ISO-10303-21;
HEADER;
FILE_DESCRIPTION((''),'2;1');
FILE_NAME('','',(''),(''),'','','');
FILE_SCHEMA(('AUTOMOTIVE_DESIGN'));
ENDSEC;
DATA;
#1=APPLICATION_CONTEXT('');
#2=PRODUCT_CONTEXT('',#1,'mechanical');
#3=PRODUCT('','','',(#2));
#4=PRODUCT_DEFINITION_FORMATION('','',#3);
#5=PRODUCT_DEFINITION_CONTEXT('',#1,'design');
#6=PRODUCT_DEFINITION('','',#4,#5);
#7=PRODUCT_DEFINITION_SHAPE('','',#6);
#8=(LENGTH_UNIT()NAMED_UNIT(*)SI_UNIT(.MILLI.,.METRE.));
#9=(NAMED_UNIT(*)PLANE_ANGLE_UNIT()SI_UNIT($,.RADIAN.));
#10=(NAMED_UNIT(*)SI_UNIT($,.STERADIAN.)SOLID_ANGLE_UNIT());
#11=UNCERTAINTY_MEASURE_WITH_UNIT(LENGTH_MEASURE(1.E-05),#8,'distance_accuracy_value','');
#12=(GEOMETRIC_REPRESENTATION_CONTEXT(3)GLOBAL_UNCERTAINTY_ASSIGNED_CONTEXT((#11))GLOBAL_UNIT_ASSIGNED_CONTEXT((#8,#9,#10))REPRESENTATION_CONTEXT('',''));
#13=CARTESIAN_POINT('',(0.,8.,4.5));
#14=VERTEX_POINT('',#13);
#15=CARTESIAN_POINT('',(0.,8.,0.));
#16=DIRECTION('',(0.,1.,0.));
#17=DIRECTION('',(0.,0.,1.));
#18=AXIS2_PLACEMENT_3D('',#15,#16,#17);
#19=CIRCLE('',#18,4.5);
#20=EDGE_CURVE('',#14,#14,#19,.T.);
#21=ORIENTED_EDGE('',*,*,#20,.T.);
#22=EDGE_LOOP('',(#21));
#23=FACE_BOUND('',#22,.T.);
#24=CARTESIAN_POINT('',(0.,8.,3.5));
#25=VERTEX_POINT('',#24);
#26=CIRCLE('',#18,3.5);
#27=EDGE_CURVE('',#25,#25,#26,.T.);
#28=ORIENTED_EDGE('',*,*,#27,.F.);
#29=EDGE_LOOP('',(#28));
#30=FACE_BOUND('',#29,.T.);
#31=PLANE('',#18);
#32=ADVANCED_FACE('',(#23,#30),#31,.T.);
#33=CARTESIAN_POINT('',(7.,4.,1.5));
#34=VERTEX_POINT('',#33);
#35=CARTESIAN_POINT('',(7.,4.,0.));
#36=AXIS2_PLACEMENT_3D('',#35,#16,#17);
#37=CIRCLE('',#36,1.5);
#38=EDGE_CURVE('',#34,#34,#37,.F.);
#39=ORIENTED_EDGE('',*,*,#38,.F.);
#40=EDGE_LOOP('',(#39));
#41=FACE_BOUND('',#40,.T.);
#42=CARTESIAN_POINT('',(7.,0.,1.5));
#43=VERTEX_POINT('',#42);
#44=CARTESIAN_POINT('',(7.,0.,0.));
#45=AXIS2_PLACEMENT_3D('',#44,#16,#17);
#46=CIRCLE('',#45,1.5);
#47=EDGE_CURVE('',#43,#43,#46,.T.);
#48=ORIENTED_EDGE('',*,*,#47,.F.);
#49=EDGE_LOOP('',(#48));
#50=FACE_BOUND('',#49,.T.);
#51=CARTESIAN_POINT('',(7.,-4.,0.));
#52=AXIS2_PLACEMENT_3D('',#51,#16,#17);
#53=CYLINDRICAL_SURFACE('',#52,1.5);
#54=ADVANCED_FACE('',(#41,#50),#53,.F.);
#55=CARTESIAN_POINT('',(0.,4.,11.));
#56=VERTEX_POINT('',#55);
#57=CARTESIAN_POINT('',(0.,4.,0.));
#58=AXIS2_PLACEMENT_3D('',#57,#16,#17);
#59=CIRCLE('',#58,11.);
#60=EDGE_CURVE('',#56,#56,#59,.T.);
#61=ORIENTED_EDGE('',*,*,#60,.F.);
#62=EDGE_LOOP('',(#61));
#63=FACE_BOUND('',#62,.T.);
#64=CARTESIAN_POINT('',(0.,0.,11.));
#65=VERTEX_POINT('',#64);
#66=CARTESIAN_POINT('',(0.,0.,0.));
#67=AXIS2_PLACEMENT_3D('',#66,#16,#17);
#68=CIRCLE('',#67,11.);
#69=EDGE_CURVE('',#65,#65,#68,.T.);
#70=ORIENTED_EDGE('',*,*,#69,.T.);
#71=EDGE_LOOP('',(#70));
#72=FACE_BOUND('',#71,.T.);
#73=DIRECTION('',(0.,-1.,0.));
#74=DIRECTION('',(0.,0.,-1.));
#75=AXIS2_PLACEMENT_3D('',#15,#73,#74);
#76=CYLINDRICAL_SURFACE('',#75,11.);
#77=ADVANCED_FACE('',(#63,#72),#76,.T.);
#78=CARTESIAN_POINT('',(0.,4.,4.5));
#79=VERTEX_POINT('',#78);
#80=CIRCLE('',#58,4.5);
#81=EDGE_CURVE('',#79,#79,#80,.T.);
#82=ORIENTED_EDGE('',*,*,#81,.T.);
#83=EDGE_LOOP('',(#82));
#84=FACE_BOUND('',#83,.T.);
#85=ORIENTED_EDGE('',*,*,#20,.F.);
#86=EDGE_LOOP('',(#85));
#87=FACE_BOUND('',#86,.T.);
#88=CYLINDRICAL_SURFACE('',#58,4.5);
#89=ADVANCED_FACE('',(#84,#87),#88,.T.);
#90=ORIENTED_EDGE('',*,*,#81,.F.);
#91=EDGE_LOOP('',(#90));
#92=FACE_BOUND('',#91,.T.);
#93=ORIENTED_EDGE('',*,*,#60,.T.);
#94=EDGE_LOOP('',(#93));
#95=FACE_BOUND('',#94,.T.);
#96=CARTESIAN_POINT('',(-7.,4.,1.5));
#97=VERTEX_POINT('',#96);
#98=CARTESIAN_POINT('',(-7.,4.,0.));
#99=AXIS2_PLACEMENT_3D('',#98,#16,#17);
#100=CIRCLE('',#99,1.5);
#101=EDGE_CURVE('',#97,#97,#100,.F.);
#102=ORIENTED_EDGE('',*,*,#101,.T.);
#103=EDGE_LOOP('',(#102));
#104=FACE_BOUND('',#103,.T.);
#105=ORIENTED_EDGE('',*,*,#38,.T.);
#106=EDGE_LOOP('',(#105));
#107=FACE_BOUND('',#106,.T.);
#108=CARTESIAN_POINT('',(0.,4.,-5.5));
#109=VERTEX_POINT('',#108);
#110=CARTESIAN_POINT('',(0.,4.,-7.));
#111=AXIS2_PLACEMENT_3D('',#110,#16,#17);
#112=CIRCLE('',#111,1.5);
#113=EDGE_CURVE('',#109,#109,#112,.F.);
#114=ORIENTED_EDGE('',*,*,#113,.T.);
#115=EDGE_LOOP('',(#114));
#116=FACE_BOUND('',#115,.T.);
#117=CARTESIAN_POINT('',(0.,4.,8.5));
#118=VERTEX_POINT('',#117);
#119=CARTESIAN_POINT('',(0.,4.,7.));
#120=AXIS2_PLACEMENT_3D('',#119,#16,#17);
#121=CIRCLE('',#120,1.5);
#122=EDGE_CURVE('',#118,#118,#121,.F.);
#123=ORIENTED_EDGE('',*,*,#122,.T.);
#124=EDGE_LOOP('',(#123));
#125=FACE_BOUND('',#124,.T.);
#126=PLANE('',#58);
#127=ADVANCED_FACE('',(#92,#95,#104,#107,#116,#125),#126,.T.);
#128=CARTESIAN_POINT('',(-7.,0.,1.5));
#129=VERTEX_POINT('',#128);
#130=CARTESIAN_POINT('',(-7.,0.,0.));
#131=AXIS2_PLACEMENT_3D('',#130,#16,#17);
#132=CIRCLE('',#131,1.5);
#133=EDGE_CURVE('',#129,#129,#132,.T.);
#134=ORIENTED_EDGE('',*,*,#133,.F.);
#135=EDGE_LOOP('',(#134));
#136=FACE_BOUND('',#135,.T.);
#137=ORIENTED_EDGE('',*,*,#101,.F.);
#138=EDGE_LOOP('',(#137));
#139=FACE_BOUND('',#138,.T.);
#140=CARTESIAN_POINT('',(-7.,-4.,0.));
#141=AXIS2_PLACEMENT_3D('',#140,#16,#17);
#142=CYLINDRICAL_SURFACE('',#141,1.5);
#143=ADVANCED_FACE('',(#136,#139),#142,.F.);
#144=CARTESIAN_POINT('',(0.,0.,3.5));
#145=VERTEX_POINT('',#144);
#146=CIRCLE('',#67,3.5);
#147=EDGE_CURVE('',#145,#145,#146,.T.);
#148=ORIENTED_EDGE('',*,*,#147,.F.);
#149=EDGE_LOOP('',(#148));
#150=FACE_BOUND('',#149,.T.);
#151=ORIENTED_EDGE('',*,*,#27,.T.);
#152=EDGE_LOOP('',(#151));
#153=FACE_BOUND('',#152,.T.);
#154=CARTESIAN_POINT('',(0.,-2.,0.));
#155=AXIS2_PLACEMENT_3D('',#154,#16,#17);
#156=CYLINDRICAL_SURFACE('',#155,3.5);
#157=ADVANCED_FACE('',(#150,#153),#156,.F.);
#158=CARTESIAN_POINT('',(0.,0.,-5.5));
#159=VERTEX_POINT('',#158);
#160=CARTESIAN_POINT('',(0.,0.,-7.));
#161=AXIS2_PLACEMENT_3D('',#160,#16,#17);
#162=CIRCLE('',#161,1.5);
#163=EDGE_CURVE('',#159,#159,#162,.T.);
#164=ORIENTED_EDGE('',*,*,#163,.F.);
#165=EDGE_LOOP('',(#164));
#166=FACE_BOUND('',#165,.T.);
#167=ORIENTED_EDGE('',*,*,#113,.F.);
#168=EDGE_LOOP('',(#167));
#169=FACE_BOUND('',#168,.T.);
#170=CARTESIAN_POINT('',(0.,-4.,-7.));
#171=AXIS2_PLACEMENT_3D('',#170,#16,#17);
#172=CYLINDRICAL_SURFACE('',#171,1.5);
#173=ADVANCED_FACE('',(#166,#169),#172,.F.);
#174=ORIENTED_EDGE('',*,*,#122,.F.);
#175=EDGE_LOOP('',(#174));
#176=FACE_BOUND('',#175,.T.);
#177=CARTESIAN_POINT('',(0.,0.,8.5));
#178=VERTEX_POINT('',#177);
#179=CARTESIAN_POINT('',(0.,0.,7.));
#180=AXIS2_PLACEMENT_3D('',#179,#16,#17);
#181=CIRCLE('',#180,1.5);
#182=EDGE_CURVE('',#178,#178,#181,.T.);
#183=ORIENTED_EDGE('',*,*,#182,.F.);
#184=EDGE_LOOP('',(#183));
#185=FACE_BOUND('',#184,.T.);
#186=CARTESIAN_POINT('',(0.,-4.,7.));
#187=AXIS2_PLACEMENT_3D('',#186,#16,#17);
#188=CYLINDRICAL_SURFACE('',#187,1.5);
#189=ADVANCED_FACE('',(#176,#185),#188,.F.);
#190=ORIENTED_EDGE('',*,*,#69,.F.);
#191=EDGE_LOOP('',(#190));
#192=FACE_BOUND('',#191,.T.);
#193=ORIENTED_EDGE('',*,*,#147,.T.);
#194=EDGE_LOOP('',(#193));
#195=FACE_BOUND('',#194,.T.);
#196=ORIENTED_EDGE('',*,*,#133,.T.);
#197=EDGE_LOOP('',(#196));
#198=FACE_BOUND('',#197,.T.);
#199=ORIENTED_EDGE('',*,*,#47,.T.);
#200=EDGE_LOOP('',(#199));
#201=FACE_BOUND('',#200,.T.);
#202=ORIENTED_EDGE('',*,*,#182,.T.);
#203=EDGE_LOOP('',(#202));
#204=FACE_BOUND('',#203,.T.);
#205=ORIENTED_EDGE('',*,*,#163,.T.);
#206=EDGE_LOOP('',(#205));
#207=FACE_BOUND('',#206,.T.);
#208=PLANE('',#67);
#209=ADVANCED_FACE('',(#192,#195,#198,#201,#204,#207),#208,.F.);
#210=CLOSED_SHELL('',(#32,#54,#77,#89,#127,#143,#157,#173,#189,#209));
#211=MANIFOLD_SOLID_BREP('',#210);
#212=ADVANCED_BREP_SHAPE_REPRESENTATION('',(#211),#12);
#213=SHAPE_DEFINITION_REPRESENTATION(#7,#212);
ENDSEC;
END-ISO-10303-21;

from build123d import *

# Parameters (mm, degrees)
SKETCH1_R           = 11
BOSS_EXTRUDE2_DEPTH = 8
SKETCH3_R           = 3
SKETCH3_R_2         = 1.5
CUT_EXTRUDE2_DEPTH  = 12
CUT_EXTRUDE3_START  = -4
SKETCH4_R           = 11
SKETCH4_R_2         = 4.5
CUT_EXTRUDE3_DEPTH  = 4
SKETCH6_R           = 3.5
CUT_EXTRUDE4_DEPTH  = 10


with BuildPart() as part:
    # Sketch1 → Boss-Extrude2 (new body)
    with BuildSketch(Plane(origin=(0, 0, 0), x_dir=(1, 0, 0), z_dir=(0, 1, 0))):
        with Locations(Location((0, 0, 0), (0, 0, 270))):
            Circle(SKETCH1_R)
    extrude(amount=BOSS_EXTRUDE2_DEPTH)

    # Sketch3 → Cut-Extrude2 (cut)
    with BuildSketch(Plane(origin=(0, 8, 0), x_dir=(1, 0, 0), z_dir=(0, 1, 0))):
        with Locations(Location((0, 0, 0), (0, 0, 270))):
            Circle(SKETCH3_R)
        with Locations(Location((-7, 0, 0), (0, 0, 270))):
            Circle(SKETCH3_R_2)
        with Locations(Location((0, 7, 0), (0, 0, 270))):
            Circle(SKETCH3_R_2)
        with Locations(Location((7, 0, 0), (0, 0, 270))):
            Circle(SKETCH3_R_2)
        with Locations(Location((0, -7, 0), (0, 0, 270))):
            Circle(SKETCH3_R_2)
    extrude(amount=-CUT_EXTRUDE2_DEPTH, mode=Mode.SUBTRACT)

    # Sketch4 → Cut-Extrude3 (cut)
    with BuildSketch(Plane(origin=(0, 8, 0), x_dir=(1, 0, 0), z_dir=(0, 1, 0)).offset(CUT_EXTRUDE3_START)):
        with Locations(Location((0, 0, 0), (0, 0, 270))):
            Circle(SKETCH4_R)
        with Locations(Location((0, 0, 0), (0, 0, 270))):
            Circle(SKETCH4_R_2, mode=Mode.SUBTRACT)
    extrude(amount=CUT_EXTRUDE3_DEPTH, mode=Mode.SUBTRACT)

    # Sketch6 → Cut-Extrude4 (cut)
    with BuildSketch(Plane(origin=(0, 8, 0), x_dir=(1, 0, 0), z_dir=(0, 1, 0))):
        with Locations(Location((0, 0, 0), (0, 0, 270))):
            Circle(SKETCH6_R)
    extrude(amount=-CUT_EXTRUDE4_DEPTH, mode=Mode.SUBTRACT)


solid = part.part
